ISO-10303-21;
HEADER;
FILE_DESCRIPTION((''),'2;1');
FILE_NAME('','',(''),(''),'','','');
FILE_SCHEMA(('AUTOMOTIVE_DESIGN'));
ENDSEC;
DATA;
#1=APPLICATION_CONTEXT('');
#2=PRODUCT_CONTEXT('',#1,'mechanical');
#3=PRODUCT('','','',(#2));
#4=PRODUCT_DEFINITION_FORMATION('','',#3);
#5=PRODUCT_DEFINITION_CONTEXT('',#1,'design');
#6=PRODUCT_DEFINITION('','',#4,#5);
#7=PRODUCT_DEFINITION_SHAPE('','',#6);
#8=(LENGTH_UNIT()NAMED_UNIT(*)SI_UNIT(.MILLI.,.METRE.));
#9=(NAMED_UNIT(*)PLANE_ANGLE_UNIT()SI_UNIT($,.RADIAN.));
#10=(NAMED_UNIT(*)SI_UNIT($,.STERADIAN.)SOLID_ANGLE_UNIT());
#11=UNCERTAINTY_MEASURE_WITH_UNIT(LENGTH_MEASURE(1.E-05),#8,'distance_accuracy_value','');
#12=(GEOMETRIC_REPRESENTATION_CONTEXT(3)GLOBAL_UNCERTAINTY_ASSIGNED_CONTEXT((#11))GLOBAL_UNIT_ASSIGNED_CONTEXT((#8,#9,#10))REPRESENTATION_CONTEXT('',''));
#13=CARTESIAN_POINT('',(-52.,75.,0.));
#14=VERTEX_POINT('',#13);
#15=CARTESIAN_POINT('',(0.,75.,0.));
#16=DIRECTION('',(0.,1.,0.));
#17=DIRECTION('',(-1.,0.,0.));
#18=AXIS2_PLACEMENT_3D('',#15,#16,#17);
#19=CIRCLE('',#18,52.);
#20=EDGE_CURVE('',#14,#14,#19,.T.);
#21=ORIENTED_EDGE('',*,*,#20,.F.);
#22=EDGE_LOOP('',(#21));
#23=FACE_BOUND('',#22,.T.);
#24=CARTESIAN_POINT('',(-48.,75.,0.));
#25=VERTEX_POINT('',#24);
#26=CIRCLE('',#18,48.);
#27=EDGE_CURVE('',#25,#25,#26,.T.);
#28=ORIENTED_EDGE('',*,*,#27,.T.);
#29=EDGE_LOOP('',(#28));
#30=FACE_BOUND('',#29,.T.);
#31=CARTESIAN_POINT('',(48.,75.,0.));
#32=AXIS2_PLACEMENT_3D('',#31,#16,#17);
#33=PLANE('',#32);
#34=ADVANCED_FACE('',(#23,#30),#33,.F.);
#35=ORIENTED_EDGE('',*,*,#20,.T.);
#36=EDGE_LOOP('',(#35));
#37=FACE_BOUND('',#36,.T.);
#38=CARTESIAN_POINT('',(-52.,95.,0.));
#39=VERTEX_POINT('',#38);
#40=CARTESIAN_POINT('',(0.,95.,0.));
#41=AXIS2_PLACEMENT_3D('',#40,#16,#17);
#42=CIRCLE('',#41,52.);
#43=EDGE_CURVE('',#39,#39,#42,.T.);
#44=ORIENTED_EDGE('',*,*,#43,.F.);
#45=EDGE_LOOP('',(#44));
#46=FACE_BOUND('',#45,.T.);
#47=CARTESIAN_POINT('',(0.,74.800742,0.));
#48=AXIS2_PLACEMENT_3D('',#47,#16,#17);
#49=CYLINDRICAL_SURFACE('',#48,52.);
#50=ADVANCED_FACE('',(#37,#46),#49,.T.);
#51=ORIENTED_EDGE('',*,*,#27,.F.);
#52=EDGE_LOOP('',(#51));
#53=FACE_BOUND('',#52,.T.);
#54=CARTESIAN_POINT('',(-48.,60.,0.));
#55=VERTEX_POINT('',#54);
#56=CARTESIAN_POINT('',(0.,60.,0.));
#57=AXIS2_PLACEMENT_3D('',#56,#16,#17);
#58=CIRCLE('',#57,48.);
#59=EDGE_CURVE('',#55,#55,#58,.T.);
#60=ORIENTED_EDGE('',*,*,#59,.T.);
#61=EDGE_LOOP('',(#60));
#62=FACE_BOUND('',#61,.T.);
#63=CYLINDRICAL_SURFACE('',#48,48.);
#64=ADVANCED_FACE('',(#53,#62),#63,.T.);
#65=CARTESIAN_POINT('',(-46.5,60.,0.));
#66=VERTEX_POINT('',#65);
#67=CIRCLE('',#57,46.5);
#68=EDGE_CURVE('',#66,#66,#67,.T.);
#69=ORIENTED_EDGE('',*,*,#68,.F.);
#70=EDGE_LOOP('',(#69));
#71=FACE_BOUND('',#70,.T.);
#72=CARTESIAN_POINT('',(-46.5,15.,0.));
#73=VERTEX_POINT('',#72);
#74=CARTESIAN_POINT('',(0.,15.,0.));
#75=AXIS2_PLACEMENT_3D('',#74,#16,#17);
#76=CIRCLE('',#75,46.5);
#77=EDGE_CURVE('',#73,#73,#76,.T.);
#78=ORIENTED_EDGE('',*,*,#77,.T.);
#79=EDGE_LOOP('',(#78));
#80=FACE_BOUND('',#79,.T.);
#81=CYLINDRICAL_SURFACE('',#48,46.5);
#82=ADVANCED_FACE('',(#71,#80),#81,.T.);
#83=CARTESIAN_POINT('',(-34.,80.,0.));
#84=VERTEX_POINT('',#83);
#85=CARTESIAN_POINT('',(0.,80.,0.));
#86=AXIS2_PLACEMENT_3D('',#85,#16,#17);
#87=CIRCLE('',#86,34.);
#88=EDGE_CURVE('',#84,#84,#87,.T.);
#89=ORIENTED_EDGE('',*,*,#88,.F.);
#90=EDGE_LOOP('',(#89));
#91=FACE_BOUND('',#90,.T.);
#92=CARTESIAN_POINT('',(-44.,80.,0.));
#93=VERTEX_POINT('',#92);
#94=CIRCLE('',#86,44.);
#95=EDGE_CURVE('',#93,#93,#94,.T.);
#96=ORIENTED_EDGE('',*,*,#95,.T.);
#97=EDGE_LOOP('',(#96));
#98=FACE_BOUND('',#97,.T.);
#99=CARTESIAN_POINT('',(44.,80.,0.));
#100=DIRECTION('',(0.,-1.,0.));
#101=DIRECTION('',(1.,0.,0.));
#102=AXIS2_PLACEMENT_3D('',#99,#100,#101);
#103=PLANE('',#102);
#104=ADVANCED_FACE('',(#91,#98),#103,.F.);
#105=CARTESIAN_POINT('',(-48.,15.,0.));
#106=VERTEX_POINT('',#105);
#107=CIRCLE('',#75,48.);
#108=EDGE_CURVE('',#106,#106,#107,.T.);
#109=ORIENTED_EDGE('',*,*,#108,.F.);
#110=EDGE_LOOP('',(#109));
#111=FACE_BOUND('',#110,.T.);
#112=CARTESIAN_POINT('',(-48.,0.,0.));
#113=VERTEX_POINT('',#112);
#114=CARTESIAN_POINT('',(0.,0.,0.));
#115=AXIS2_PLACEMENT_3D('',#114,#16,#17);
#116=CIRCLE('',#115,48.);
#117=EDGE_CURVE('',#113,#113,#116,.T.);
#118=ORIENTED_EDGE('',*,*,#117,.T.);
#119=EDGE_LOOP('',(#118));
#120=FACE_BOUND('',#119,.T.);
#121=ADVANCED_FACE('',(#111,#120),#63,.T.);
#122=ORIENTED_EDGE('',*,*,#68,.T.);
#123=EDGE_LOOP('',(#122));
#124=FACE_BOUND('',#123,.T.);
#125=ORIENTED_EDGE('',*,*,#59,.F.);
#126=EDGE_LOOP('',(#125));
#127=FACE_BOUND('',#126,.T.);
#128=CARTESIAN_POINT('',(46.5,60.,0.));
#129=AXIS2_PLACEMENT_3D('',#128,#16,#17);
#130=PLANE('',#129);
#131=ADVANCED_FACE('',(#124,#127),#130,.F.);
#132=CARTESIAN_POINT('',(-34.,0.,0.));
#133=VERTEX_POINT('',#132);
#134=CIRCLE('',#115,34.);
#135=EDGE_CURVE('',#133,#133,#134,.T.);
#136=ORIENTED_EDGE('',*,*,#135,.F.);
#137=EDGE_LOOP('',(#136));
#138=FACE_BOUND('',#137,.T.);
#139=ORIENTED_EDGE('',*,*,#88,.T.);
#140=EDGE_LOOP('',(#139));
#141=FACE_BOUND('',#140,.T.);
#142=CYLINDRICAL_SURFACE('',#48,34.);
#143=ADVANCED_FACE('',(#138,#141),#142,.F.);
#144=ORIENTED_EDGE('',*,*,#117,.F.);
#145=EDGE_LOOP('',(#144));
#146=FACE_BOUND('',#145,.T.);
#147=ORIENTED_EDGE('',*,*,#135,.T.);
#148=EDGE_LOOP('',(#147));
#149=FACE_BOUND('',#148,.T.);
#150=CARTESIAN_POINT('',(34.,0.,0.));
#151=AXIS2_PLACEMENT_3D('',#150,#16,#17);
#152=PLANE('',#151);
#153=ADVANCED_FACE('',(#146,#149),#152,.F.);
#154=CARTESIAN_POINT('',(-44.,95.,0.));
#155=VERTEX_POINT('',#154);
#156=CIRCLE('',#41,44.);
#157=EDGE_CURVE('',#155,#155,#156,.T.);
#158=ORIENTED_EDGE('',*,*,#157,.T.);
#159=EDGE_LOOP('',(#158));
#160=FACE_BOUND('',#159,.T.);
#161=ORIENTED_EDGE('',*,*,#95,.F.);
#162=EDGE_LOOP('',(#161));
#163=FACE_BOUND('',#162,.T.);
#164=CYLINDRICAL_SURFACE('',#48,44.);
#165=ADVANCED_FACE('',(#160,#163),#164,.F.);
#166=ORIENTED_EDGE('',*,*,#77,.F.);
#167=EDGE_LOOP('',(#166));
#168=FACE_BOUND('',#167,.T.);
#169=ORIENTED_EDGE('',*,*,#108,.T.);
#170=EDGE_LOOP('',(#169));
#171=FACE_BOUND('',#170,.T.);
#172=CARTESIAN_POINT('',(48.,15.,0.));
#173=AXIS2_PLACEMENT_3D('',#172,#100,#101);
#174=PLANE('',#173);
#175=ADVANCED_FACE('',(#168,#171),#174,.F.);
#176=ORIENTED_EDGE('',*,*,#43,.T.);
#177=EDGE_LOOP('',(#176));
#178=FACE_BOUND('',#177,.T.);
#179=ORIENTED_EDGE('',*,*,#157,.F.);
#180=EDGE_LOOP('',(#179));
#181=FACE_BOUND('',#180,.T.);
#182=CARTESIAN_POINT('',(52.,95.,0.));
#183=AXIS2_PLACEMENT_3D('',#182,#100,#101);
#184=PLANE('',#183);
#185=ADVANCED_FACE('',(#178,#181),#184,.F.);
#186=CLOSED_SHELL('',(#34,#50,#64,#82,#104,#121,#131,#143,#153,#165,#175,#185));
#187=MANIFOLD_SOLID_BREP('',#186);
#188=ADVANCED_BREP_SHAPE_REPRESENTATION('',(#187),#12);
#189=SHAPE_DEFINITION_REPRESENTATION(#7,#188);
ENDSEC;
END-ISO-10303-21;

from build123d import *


with BuildPart() as part:
    # Sketch1 → Revolve1 (revolve)
    with BuildSketch(Plane.XY):
        Polygon((34, 0), (48, 0), (48, 15), (46.5, 15), (46.5, 60), (48, 60), (48, 75), (52, 75), (52, 95), (44, 95), (44, 80), (34, 80), align=None)
    revolve(axis=Axis((0, 74.800741628, 0), (0, -1, 0)))


solid = part.part
